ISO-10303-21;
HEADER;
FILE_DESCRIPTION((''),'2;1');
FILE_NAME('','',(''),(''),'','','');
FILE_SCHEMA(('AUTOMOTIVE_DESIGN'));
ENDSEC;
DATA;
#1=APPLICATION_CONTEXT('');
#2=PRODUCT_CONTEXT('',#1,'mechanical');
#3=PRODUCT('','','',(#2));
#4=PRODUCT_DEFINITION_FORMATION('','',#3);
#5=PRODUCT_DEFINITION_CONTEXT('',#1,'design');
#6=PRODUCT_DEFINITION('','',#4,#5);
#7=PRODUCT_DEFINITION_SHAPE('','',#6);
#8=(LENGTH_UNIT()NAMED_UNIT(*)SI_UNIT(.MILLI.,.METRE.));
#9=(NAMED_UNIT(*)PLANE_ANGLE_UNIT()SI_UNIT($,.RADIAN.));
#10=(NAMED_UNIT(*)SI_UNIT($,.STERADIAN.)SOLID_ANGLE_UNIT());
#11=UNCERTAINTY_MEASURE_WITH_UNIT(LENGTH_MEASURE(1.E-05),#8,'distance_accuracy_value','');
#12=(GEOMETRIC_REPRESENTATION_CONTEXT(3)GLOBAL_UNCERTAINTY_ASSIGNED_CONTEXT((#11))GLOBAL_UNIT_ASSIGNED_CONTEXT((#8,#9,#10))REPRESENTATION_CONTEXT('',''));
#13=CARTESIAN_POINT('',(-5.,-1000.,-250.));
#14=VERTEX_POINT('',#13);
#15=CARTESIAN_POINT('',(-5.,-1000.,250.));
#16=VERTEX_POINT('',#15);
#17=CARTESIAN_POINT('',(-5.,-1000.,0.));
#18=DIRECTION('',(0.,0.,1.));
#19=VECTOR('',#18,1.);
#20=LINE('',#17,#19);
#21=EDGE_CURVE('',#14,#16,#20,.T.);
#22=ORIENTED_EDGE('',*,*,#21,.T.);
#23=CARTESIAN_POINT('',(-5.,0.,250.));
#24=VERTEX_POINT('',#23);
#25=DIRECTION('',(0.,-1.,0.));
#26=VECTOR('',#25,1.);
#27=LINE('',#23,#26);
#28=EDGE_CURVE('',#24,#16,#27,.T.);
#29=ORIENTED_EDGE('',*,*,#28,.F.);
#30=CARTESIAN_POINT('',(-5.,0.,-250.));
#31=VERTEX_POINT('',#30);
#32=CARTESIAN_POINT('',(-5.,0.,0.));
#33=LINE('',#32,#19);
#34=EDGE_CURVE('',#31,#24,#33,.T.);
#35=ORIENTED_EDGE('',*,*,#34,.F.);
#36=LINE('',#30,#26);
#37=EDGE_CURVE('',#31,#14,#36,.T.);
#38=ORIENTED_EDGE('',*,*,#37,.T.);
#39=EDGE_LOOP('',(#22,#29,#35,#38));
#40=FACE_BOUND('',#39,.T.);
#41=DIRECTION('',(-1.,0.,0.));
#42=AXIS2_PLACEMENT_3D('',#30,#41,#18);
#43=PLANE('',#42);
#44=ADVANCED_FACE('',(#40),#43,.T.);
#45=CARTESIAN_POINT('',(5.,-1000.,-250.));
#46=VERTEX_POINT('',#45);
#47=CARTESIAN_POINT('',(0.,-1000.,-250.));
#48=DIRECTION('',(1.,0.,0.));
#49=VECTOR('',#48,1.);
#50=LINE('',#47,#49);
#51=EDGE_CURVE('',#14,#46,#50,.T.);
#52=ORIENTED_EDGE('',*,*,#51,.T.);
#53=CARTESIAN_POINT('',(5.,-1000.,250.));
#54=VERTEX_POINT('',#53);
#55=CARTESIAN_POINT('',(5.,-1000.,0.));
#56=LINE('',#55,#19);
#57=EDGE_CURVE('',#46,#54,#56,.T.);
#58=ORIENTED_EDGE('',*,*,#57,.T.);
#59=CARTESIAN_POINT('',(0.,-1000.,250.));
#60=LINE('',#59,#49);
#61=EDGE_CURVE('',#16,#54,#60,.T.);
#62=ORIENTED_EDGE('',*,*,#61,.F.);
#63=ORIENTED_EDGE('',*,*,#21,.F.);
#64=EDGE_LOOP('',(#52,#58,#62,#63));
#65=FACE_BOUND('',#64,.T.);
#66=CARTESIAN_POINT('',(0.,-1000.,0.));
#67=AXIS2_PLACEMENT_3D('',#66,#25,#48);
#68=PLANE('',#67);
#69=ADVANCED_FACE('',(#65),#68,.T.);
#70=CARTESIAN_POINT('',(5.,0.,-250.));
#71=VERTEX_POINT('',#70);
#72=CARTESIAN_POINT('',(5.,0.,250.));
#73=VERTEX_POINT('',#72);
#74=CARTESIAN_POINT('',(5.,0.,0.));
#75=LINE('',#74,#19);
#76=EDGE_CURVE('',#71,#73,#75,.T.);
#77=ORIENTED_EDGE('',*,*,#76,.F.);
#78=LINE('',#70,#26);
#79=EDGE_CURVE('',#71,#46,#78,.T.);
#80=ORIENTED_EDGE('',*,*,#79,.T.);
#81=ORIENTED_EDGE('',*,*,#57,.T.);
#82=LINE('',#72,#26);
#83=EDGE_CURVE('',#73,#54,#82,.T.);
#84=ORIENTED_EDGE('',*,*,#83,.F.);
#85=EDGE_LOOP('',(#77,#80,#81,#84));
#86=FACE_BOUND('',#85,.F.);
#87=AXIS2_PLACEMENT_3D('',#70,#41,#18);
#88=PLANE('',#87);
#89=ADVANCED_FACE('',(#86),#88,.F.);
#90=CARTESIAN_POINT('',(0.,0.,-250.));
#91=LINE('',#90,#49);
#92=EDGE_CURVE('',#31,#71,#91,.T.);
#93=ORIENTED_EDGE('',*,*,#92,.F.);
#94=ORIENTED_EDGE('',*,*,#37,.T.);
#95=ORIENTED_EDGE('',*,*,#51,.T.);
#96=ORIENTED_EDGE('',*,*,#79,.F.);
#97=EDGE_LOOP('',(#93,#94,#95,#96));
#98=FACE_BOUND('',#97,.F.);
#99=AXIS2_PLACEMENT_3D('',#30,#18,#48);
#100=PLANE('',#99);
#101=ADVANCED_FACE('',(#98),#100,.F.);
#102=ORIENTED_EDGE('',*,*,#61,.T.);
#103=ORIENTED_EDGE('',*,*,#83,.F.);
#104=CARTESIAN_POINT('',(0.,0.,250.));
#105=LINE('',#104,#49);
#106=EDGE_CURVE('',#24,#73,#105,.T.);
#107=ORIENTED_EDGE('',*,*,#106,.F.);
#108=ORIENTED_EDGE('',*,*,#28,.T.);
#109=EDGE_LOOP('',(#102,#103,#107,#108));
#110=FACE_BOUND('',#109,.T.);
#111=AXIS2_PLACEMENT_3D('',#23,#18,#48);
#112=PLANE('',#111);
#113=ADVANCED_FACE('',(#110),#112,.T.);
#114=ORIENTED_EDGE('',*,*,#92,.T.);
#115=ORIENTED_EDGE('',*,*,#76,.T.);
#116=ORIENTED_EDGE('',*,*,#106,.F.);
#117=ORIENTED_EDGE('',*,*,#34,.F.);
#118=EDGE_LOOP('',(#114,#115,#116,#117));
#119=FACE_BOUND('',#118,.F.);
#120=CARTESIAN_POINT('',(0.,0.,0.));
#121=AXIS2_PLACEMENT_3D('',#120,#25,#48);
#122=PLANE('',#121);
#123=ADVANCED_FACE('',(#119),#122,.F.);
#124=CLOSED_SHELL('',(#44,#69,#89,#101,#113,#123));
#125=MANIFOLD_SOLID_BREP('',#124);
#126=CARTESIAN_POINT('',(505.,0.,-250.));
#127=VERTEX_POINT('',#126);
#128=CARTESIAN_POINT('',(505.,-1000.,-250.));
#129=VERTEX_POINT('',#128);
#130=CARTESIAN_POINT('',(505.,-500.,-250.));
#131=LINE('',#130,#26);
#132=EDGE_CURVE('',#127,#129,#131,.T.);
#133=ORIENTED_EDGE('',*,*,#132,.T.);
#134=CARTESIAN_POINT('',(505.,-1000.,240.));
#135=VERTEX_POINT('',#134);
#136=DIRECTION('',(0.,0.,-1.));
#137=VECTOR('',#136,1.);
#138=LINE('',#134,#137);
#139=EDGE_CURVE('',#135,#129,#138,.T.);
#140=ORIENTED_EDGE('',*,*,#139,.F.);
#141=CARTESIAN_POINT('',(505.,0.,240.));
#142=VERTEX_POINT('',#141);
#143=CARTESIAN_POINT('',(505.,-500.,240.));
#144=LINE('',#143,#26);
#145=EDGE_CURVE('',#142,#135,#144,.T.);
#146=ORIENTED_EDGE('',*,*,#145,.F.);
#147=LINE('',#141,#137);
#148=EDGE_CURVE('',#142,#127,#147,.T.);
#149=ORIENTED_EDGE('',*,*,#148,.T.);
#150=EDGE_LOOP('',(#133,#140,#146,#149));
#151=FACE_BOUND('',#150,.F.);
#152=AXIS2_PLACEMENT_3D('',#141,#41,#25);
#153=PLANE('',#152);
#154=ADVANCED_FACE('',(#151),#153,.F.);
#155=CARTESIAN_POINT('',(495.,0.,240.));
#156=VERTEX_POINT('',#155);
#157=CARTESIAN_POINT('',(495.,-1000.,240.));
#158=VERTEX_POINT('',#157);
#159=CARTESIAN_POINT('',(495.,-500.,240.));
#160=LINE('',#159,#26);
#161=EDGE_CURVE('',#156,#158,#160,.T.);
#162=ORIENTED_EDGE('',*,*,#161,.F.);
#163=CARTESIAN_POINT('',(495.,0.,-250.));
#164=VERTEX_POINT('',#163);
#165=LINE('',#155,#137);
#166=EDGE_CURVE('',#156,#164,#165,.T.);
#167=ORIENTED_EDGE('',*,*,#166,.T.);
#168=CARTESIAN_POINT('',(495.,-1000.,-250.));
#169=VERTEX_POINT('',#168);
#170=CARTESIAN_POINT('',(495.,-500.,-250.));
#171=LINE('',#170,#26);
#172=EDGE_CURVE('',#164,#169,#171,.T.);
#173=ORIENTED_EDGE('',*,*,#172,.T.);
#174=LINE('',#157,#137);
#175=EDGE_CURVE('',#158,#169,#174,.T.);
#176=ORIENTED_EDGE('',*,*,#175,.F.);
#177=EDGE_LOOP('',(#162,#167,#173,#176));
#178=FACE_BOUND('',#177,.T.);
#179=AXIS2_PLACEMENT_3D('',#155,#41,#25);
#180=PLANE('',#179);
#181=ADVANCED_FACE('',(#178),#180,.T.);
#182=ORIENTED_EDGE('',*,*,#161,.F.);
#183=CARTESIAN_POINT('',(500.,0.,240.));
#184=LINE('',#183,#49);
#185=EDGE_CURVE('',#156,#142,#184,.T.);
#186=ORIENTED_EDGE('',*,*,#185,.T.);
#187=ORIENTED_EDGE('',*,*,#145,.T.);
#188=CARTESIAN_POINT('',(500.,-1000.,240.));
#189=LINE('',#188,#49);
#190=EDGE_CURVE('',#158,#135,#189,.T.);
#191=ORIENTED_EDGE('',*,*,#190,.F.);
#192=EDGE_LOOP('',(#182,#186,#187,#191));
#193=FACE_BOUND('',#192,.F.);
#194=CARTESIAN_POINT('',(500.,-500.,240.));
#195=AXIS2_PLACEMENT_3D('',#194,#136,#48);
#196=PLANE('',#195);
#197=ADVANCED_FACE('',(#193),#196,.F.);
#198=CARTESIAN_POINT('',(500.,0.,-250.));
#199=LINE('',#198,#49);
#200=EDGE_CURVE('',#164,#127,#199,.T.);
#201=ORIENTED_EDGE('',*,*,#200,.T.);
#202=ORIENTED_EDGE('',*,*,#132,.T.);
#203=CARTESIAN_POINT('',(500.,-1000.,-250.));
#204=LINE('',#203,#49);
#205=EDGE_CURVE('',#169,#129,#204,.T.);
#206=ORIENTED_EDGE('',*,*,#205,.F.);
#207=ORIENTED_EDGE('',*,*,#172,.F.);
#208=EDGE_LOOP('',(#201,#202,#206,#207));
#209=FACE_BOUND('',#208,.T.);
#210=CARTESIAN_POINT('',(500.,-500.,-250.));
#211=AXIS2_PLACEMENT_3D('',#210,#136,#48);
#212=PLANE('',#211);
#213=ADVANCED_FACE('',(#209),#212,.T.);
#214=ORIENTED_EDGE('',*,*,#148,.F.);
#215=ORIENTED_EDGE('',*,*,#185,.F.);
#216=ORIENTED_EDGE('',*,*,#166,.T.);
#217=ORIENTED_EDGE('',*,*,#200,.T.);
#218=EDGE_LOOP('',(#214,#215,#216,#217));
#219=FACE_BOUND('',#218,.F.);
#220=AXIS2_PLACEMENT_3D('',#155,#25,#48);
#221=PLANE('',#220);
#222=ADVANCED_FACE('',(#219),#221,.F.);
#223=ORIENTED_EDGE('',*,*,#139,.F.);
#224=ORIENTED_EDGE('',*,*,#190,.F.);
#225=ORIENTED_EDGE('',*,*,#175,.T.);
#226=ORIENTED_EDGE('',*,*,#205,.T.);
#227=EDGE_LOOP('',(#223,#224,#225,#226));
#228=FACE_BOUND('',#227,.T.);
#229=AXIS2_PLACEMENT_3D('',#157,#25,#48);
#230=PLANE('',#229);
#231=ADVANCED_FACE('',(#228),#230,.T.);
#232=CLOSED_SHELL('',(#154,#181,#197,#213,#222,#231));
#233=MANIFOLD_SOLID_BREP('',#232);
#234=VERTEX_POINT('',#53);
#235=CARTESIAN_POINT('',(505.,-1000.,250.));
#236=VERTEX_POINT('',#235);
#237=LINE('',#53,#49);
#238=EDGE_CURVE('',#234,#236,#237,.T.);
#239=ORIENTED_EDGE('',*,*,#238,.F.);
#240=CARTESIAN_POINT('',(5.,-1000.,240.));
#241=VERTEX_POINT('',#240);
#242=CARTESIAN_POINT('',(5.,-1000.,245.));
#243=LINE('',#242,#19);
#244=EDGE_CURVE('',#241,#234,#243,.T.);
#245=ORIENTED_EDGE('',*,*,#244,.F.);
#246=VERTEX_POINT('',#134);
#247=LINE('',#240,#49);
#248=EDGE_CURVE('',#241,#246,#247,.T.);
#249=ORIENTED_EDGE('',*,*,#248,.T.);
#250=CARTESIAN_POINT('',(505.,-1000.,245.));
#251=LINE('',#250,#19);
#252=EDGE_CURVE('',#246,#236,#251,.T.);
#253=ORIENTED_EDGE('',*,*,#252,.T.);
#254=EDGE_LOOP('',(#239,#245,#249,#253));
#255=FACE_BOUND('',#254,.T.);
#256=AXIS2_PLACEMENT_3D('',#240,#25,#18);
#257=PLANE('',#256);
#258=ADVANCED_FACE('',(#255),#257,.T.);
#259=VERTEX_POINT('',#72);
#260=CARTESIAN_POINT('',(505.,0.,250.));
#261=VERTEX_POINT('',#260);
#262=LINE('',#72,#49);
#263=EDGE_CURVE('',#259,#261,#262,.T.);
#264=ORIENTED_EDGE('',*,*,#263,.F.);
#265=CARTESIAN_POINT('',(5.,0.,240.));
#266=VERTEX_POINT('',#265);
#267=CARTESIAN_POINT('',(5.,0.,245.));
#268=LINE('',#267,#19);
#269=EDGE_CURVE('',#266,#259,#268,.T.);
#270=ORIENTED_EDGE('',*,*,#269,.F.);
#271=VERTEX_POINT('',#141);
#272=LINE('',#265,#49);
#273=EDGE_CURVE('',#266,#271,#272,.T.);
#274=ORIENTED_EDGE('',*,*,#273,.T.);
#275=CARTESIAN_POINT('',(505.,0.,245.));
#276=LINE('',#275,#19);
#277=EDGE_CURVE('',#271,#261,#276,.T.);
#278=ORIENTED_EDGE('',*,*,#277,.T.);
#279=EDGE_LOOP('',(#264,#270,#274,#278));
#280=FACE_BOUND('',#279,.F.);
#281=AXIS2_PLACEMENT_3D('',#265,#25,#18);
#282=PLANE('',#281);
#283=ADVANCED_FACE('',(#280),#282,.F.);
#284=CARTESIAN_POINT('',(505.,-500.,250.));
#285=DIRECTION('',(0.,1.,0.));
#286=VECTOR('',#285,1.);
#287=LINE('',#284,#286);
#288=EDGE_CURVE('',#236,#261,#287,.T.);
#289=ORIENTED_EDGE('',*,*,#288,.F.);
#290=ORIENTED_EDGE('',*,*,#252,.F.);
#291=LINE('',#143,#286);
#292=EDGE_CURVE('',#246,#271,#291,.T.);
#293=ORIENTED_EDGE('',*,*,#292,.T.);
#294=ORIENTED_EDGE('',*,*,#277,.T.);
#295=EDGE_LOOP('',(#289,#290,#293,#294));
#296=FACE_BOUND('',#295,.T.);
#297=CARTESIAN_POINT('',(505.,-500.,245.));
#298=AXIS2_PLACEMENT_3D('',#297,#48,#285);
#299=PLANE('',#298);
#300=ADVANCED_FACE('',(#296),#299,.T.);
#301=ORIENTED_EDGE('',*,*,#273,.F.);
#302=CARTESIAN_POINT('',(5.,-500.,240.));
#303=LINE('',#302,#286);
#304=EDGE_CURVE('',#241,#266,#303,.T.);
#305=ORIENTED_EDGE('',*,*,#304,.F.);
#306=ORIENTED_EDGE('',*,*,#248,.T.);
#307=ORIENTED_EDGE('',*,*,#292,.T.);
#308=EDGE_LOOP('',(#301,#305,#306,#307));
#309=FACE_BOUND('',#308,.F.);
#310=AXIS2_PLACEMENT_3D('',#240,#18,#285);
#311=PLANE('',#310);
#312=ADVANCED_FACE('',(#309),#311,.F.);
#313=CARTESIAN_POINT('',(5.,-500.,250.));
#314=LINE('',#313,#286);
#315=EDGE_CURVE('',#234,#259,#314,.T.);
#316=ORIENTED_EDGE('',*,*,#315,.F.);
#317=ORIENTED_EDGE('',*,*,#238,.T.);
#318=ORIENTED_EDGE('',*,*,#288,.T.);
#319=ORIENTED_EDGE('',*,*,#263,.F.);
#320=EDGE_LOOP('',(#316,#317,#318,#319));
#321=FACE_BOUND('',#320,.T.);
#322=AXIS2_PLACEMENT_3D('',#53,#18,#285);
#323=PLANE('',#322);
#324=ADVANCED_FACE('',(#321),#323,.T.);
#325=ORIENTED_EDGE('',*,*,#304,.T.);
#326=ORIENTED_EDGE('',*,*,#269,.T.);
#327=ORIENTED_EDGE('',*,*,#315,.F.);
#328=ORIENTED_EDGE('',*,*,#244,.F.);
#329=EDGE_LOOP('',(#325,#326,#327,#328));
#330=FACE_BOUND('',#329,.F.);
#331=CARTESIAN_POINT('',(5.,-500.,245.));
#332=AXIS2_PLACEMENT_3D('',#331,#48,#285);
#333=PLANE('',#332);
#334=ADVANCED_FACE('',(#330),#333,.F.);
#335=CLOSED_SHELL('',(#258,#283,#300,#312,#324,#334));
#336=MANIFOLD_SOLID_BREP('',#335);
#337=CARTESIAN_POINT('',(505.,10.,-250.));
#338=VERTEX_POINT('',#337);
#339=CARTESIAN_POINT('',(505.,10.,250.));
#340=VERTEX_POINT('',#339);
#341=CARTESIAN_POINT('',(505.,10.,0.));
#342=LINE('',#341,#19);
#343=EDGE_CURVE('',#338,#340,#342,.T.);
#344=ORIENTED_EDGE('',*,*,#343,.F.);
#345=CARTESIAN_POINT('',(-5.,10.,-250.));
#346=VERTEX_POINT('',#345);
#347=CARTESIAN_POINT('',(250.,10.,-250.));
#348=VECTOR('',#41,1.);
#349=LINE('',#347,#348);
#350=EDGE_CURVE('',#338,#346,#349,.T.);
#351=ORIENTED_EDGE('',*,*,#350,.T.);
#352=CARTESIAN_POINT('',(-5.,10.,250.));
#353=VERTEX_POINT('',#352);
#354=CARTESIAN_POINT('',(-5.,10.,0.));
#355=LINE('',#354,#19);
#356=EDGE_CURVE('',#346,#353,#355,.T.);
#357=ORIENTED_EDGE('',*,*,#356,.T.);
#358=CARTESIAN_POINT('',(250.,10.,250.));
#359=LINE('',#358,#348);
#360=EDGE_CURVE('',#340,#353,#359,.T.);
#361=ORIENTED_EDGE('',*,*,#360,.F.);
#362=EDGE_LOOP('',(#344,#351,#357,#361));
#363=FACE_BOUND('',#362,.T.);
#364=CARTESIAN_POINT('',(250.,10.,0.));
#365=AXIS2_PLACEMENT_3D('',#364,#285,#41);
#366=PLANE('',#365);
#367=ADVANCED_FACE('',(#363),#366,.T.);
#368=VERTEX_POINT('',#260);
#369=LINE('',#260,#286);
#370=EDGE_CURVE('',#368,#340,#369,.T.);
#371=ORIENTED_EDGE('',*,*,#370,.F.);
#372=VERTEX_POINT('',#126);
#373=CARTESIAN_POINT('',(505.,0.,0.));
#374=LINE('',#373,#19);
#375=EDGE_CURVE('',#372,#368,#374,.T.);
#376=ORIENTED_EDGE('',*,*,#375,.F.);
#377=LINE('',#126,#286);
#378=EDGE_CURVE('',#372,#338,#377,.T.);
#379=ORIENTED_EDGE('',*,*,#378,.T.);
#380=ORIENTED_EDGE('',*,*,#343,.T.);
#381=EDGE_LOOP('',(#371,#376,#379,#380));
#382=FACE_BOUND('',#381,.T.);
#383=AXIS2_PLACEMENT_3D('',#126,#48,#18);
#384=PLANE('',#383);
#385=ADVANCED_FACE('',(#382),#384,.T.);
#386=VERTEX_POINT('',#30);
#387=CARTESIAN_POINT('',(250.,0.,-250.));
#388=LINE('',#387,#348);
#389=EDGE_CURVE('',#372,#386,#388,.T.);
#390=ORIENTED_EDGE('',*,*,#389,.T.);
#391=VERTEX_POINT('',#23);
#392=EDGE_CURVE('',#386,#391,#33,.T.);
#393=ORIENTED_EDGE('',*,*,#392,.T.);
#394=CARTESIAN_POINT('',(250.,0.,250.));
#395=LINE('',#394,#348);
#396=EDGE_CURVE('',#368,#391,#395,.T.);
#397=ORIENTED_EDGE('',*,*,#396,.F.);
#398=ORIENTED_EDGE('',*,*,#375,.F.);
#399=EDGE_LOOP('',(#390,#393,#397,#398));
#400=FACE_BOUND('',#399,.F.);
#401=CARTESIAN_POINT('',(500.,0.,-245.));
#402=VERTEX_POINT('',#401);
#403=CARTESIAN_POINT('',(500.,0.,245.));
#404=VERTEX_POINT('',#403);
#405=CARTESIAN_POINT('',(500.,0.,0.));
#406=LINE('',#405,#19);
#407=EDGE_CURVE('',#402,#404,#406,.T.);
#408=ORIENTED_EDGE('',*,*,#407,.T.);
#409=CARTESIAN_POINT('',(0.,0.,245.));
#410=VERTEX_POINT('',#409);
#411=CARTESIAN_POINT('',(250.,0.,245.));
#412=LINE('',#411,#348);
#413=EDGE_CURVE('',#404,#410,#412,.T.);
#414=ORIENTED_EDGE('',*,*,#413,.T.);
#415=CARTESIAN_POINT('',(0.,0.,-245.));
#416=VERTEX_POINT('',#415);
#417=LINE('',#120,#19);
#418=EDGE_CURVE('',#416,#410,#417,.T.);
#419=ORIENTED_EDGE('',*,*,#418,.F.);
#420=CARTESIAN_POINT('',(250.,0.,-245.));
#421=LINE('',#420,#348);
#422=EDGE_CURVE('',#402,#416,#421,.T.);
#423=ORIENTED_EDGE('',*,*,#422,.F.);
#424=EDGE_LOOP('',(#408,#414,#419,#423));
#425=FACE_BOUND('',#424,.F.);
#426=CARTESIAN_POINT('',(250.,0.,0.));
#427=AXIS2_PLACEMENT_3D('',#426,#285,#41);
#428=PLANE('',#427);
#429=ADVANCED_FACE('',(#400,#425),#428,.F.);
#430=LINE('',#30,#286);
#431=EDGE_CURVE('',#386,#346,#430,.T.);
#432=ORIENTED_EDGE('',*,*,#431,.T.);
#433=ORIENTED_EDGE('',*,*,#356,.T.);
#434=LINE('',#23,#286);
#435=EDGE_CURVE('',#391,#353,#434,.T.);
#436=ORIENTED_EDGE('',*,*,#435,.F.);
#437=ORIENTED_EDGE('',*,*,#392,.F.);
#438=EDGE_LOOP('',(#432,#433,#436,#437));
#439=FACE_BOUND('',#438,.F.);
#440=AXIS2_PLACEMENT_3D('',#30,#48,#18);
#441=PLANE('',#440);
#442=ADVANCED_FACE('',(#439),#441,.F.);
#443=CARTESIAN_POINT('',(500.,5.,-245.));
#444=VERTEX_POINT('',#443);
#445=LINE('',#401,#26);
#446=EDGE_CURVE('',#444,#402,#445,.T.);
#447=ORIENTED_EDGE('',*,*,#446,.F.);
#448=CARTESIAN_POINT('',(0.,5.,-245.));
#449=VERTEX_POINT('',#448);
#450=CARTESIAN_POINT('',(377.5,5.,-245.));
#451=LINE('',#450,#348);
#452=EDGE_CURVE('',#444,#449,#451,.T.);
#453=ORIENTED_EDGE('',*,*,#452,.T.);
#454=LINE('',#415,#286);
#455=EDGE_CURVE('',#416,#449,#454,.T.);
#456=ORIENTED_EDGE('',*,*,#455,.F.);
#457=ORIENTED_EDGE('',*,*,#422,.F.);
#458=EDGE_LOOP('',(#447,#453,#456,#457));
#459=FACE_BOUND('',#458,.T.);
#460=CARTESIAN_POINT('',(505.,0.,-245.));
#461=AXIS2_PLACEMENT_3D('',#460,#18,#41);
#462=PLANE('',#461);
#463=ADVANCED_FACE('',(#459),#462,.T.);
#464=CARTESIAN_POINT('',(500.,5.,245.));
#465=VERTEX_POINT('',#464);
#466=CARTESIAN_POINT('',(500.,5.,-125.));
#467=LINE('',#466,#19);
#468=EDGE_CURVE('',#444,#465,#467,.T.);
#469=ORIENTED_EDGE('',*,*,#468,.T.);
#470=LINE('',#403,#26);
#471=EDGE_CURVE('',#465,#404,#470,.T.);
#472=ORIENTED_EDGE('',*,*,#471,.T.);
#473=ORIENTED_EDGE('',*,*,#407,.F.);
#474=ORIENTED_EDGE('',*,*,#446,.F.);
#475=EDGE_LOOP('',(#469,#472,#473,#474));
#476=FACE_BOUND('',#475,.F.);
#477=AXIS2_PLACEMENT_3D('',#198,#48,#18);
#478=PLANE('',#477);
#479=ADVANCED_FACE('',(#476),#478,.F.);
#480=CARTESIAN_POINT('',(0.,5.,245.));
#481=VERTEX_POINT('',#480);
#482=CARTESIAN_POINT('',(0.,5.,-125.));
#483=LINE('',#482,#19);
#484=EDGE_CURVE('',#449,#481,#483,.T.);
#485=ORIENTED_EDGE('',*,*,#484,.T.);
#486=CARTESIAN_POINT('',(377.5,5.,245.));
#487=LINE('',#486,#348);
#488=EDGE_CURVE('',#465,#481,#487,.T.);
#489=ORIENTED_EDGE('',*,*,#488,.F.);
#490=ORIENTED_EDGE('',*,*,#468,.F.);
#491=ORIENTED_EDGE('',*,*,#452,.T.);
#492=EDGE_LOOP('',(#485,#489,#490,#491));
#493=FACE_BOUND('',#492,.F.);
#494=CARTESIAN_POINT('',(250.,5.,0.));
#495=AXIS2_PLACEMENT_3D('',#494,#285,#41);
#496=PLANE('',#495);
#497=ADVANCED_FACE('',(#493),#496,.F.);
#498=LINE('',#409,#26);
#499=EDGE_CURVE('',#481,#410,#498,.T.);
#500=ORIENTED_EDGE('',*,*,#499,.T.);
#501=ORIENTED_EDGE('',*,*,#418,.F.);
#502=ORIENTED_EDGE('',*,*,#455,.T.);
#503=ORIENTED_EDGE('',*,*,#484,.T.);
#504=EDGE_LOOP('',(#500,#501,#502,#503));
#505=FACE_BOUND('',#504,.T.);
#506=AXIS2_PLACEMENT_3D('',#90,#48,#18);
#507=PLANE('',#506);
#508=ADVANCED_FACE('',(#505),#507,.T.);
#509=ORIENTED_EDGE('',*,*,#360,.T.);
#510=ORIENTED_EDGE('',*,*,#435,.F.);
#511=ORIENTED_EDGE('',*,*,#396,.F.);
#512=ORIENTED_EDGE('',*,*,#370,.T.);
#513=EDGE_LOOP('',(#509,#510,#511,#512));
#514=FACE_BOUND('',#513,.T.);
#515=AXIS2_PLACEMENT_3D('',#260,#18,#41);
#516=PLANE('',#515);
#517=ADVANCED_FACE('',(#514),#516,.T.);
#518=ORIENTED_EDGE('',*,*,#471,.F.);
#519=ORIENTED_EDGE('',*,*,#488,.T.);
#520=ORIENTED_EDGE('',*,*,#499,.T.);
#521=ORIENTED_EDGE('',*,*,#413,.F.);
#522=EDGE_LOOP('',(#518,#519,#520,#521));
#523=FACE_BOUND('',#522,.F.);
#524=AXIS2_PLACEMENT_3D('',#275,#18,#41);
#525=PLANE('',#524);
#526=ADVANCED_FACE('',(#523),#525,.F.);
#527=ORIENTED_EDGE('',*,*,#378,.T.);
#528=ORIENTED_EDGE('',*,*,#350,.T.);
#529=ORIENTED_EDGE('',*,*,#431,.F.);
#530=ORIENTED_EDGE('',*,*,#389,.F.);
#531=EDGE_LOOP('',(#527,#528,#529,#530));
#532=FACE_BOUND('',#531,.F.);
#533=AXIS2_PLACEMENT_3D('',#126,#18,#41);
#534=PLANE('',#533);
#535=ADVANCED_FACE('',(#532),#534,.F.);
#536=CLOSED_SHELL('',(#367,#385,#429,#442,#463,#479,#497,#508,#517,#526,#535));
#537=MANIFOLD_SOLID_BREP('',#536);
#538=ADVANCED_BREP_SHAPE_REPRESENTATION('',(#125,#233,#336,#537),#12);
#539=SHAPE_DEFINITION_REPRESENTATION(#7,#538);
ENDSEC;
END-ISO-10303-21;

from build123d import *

# Parameters (mm, degrees)
F0_W     = 10
F0_H     = 500
F1_DEPTH = 1000
F2_W     = 1000
F2_H     = 10
F3_DEPTH = 500
F4_W     = 10
F4_H     = 1000
F5_DEPTH = 490
F6_W     = 510
F6_H     = 500
F7_DEPTH = 10
F8_T     = -5


with BuildPart() as f1:
    # F0 (on Front) → F1 (new body)
    with BuildSketch(Plane.XZ):
        Rectangle(F0_W, F0_H)
    extrude(amount=F1_DEPTH)


with BuildPart() as f3:
    # F2 (on face) → F3 (new body)
    with BuildSketch(Plane.YZ.offset(5)):
        with Locations((-500, 245)):
            Rectangle(F2_W, F2_H)
    extrude(amount=F3_DEPTH)


with BuildPart() as f5:
    # F4 (on face) → F5 (new body)
    with BuildSketch(Plane(origin=(0, 0, 240), x_dir=(1, 0, 0), z_dir=(0, 0, -1))):
        with Locations((500, 500)):
            Rectangle(F4_W, F4_H)
    extrude(amount=F5_DEPTH)


with BuildPart() as f7:
    # F6 (on face) → F7 (new body)
    with BuildSketch(Plane(origin=(0, 0, 0), x_dir=(-1, 0, 0), z_dir=(0, 1, 0))):
        with Locations((-250, 0)):
            Rectangle(F6_W, F6_H)
    extrude(amount=F7_DEPTH)

    # F8
    f8_openings = [f7.faces().sort_by_distance(p)[0] for p in [
        (250, 0, 0),
    ]]
    offset(amount=F8_T, openings=f8_openings)


solid = Compound([f1.part, f3.part, f5.part, f7.part])
